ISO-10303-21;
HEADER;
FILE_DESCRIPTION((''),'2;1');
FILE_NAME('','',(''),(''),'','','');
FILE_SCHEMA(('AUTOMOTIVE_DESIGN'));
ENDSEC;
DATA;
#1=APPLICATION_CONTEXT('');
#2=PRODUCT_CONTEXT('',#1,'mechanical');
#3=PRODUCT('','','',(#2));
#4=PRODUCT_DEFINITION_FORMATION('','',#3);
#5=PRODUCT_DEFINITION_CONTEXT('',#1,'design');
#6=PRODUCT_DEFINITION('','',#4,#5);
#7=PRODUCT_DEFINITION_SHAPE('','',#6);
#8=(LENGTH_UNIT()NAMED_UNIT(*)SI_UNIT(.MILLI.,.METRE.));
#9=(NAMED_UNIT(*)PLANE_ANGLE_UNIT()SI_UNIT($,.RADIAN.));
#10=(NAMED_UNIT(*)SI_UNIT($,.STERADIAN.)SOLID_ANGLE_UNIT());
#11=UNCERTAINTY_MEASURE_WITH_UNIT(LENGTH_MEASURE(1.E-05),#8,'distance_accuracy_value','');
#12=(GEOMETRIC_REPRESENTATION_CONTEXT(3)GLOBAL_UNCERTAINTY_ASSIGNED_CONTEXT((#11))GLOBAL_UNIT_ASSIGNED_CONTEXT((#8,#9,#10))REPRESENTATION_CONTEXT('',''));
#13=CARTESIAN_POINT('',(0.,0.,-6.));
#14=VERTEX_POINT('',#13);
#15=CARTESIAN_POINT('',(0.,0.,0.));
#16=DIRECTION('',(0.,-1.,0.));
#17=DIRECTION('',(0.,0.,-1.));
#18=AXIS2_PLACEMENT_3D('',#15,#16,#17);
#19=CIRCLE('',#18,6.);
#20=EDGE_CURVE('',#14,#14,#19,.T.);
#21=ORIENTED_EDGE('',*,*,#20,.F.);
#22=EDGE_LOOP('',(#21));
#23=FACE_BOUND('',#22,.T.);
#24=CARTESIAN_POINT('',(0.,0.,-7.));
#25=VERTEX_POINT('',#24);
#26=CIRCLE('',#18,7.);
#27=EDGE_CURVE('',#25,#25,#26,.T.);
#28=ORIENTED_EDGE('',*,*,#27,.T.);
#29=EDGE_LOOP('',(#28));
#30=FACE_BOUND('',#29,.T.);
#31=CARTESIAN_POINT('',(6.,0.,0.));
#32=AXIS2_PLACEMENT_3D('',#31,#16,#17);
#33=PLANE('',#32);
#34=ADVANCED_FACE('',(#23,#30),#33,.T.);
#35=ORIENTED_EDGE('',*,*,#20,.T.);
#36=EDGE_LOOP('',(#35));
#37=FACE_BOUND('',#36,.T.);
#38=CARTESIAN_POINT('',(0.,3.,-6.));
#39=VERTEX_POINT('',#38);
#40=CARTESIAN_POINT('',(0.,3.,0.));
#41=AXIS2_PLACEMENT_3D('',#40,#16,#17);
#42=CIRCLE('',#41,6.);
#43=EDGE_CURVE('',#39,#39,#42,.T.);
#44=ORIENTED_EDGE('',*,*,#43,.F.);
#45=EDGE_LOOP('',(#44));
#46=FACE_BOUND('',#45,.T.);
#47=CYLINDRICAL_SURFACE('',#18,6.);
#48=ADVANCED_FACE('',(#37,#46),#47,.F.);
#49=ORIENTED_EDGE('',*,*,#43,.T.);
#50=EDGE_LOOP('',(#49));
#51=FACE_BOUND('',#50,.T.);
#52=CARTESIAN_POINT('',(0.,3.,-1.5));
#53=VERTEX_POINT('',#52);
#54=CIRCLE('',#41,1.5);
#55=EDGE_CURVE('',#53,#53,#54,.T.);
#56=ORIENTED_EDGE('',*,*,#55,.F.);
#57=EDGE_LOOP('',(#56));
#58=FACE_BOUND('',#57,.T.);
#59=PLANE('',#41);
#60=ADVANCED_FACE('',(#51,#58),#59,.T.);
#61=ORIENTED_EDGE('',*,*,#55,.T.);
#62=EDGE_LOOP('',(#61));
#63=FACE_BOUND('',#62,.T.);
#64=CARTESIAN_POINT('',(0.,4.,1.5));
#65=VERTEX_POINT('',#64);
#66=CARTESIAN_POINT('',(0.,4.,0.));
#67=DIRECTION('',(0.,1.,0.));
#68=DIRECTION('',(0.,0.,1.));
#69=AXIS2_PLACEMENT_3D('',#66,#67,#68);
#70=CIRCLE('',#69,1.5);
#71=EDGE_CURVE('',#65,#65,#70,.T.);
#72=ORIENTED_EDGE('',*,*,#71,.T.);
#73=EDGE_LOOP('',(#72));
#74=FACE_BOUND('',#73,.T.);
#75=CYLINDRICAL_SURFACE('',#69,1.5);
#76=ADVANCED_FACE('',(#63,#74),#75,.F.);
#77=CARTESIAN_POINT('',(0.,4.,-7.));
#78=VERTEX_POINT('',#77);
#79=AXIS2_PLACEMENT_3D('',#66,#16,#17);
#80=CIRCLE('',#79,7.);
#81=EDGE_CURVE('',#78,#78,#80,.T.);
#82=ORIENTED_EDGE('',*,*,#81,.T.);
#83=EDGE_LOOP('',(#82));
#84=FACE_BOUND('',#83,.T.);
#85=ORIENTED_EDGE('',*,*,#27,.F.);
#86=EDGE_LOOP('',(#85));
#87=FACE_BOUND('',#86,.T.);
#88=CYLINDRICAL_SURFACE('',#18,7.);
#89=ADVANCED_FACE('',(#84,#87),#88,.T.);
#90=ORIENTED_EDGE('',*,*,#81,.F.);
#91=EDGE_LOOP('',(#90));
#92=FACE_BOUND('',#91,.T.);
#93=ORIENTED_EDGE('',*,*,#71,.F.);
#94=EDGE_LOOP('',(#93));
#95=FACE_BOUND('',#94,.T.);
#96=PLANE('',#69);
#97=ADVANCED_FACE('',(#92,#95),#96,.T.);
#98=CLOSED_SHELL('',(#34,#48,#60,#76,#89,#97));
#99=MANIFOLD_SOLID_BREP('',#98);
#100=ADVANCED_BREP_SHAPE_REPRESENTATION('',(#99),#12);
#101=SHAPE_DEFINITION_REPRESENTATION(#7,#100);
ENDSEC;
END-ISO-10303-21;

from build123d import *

# Parameters (mm, degrees)
F_3_0MM_DOWEL_HOLE1_D     = 3
F_3_0MM_DOWEL_HOLE1_DEPTH = 7.598709071
F_3_0MM_DOWEL_HOLE1_TIP   = 0.901290929


with BuildPart() as part:
    # Sketch1 → Revolve1 (revolve)
    with BuildSketch(Plane.XY):
        Polygon((0, 3), (6, 3), (6, 0), (7, 0), (7, 4), (0, 4), align=None)
    revolve(axis=Axis((0, 0, 0), (0, 1, 0)))

    # Ø3.0mm Dowel Hole1
    with Locations(Plane(origin=(0, 4, 0), x_dir=(1, 0, 0), z_dir=(0, 1, 0))):
        with Locations((0, 0)):
            Hole(F_3_0MM_DOWEL_HOLE1_D / 2, depth=F_3_0MM_DOWEL_HOLE1_DEPTH)
            with Locations((0, 0, -(F_3_0MM_DOWEL_HOLE1_DEPTH + F_3_0MM_DOWEL_HOLE1_TIP / 2))):  # 118° drill point
                Cone(0, F_3_0MM_DOWEL_HOLE1_D / 2, F_3_0MM_DOWEL_HOLE1_TIP, mode=Mode.SUBTRACT)


solid = part.part
